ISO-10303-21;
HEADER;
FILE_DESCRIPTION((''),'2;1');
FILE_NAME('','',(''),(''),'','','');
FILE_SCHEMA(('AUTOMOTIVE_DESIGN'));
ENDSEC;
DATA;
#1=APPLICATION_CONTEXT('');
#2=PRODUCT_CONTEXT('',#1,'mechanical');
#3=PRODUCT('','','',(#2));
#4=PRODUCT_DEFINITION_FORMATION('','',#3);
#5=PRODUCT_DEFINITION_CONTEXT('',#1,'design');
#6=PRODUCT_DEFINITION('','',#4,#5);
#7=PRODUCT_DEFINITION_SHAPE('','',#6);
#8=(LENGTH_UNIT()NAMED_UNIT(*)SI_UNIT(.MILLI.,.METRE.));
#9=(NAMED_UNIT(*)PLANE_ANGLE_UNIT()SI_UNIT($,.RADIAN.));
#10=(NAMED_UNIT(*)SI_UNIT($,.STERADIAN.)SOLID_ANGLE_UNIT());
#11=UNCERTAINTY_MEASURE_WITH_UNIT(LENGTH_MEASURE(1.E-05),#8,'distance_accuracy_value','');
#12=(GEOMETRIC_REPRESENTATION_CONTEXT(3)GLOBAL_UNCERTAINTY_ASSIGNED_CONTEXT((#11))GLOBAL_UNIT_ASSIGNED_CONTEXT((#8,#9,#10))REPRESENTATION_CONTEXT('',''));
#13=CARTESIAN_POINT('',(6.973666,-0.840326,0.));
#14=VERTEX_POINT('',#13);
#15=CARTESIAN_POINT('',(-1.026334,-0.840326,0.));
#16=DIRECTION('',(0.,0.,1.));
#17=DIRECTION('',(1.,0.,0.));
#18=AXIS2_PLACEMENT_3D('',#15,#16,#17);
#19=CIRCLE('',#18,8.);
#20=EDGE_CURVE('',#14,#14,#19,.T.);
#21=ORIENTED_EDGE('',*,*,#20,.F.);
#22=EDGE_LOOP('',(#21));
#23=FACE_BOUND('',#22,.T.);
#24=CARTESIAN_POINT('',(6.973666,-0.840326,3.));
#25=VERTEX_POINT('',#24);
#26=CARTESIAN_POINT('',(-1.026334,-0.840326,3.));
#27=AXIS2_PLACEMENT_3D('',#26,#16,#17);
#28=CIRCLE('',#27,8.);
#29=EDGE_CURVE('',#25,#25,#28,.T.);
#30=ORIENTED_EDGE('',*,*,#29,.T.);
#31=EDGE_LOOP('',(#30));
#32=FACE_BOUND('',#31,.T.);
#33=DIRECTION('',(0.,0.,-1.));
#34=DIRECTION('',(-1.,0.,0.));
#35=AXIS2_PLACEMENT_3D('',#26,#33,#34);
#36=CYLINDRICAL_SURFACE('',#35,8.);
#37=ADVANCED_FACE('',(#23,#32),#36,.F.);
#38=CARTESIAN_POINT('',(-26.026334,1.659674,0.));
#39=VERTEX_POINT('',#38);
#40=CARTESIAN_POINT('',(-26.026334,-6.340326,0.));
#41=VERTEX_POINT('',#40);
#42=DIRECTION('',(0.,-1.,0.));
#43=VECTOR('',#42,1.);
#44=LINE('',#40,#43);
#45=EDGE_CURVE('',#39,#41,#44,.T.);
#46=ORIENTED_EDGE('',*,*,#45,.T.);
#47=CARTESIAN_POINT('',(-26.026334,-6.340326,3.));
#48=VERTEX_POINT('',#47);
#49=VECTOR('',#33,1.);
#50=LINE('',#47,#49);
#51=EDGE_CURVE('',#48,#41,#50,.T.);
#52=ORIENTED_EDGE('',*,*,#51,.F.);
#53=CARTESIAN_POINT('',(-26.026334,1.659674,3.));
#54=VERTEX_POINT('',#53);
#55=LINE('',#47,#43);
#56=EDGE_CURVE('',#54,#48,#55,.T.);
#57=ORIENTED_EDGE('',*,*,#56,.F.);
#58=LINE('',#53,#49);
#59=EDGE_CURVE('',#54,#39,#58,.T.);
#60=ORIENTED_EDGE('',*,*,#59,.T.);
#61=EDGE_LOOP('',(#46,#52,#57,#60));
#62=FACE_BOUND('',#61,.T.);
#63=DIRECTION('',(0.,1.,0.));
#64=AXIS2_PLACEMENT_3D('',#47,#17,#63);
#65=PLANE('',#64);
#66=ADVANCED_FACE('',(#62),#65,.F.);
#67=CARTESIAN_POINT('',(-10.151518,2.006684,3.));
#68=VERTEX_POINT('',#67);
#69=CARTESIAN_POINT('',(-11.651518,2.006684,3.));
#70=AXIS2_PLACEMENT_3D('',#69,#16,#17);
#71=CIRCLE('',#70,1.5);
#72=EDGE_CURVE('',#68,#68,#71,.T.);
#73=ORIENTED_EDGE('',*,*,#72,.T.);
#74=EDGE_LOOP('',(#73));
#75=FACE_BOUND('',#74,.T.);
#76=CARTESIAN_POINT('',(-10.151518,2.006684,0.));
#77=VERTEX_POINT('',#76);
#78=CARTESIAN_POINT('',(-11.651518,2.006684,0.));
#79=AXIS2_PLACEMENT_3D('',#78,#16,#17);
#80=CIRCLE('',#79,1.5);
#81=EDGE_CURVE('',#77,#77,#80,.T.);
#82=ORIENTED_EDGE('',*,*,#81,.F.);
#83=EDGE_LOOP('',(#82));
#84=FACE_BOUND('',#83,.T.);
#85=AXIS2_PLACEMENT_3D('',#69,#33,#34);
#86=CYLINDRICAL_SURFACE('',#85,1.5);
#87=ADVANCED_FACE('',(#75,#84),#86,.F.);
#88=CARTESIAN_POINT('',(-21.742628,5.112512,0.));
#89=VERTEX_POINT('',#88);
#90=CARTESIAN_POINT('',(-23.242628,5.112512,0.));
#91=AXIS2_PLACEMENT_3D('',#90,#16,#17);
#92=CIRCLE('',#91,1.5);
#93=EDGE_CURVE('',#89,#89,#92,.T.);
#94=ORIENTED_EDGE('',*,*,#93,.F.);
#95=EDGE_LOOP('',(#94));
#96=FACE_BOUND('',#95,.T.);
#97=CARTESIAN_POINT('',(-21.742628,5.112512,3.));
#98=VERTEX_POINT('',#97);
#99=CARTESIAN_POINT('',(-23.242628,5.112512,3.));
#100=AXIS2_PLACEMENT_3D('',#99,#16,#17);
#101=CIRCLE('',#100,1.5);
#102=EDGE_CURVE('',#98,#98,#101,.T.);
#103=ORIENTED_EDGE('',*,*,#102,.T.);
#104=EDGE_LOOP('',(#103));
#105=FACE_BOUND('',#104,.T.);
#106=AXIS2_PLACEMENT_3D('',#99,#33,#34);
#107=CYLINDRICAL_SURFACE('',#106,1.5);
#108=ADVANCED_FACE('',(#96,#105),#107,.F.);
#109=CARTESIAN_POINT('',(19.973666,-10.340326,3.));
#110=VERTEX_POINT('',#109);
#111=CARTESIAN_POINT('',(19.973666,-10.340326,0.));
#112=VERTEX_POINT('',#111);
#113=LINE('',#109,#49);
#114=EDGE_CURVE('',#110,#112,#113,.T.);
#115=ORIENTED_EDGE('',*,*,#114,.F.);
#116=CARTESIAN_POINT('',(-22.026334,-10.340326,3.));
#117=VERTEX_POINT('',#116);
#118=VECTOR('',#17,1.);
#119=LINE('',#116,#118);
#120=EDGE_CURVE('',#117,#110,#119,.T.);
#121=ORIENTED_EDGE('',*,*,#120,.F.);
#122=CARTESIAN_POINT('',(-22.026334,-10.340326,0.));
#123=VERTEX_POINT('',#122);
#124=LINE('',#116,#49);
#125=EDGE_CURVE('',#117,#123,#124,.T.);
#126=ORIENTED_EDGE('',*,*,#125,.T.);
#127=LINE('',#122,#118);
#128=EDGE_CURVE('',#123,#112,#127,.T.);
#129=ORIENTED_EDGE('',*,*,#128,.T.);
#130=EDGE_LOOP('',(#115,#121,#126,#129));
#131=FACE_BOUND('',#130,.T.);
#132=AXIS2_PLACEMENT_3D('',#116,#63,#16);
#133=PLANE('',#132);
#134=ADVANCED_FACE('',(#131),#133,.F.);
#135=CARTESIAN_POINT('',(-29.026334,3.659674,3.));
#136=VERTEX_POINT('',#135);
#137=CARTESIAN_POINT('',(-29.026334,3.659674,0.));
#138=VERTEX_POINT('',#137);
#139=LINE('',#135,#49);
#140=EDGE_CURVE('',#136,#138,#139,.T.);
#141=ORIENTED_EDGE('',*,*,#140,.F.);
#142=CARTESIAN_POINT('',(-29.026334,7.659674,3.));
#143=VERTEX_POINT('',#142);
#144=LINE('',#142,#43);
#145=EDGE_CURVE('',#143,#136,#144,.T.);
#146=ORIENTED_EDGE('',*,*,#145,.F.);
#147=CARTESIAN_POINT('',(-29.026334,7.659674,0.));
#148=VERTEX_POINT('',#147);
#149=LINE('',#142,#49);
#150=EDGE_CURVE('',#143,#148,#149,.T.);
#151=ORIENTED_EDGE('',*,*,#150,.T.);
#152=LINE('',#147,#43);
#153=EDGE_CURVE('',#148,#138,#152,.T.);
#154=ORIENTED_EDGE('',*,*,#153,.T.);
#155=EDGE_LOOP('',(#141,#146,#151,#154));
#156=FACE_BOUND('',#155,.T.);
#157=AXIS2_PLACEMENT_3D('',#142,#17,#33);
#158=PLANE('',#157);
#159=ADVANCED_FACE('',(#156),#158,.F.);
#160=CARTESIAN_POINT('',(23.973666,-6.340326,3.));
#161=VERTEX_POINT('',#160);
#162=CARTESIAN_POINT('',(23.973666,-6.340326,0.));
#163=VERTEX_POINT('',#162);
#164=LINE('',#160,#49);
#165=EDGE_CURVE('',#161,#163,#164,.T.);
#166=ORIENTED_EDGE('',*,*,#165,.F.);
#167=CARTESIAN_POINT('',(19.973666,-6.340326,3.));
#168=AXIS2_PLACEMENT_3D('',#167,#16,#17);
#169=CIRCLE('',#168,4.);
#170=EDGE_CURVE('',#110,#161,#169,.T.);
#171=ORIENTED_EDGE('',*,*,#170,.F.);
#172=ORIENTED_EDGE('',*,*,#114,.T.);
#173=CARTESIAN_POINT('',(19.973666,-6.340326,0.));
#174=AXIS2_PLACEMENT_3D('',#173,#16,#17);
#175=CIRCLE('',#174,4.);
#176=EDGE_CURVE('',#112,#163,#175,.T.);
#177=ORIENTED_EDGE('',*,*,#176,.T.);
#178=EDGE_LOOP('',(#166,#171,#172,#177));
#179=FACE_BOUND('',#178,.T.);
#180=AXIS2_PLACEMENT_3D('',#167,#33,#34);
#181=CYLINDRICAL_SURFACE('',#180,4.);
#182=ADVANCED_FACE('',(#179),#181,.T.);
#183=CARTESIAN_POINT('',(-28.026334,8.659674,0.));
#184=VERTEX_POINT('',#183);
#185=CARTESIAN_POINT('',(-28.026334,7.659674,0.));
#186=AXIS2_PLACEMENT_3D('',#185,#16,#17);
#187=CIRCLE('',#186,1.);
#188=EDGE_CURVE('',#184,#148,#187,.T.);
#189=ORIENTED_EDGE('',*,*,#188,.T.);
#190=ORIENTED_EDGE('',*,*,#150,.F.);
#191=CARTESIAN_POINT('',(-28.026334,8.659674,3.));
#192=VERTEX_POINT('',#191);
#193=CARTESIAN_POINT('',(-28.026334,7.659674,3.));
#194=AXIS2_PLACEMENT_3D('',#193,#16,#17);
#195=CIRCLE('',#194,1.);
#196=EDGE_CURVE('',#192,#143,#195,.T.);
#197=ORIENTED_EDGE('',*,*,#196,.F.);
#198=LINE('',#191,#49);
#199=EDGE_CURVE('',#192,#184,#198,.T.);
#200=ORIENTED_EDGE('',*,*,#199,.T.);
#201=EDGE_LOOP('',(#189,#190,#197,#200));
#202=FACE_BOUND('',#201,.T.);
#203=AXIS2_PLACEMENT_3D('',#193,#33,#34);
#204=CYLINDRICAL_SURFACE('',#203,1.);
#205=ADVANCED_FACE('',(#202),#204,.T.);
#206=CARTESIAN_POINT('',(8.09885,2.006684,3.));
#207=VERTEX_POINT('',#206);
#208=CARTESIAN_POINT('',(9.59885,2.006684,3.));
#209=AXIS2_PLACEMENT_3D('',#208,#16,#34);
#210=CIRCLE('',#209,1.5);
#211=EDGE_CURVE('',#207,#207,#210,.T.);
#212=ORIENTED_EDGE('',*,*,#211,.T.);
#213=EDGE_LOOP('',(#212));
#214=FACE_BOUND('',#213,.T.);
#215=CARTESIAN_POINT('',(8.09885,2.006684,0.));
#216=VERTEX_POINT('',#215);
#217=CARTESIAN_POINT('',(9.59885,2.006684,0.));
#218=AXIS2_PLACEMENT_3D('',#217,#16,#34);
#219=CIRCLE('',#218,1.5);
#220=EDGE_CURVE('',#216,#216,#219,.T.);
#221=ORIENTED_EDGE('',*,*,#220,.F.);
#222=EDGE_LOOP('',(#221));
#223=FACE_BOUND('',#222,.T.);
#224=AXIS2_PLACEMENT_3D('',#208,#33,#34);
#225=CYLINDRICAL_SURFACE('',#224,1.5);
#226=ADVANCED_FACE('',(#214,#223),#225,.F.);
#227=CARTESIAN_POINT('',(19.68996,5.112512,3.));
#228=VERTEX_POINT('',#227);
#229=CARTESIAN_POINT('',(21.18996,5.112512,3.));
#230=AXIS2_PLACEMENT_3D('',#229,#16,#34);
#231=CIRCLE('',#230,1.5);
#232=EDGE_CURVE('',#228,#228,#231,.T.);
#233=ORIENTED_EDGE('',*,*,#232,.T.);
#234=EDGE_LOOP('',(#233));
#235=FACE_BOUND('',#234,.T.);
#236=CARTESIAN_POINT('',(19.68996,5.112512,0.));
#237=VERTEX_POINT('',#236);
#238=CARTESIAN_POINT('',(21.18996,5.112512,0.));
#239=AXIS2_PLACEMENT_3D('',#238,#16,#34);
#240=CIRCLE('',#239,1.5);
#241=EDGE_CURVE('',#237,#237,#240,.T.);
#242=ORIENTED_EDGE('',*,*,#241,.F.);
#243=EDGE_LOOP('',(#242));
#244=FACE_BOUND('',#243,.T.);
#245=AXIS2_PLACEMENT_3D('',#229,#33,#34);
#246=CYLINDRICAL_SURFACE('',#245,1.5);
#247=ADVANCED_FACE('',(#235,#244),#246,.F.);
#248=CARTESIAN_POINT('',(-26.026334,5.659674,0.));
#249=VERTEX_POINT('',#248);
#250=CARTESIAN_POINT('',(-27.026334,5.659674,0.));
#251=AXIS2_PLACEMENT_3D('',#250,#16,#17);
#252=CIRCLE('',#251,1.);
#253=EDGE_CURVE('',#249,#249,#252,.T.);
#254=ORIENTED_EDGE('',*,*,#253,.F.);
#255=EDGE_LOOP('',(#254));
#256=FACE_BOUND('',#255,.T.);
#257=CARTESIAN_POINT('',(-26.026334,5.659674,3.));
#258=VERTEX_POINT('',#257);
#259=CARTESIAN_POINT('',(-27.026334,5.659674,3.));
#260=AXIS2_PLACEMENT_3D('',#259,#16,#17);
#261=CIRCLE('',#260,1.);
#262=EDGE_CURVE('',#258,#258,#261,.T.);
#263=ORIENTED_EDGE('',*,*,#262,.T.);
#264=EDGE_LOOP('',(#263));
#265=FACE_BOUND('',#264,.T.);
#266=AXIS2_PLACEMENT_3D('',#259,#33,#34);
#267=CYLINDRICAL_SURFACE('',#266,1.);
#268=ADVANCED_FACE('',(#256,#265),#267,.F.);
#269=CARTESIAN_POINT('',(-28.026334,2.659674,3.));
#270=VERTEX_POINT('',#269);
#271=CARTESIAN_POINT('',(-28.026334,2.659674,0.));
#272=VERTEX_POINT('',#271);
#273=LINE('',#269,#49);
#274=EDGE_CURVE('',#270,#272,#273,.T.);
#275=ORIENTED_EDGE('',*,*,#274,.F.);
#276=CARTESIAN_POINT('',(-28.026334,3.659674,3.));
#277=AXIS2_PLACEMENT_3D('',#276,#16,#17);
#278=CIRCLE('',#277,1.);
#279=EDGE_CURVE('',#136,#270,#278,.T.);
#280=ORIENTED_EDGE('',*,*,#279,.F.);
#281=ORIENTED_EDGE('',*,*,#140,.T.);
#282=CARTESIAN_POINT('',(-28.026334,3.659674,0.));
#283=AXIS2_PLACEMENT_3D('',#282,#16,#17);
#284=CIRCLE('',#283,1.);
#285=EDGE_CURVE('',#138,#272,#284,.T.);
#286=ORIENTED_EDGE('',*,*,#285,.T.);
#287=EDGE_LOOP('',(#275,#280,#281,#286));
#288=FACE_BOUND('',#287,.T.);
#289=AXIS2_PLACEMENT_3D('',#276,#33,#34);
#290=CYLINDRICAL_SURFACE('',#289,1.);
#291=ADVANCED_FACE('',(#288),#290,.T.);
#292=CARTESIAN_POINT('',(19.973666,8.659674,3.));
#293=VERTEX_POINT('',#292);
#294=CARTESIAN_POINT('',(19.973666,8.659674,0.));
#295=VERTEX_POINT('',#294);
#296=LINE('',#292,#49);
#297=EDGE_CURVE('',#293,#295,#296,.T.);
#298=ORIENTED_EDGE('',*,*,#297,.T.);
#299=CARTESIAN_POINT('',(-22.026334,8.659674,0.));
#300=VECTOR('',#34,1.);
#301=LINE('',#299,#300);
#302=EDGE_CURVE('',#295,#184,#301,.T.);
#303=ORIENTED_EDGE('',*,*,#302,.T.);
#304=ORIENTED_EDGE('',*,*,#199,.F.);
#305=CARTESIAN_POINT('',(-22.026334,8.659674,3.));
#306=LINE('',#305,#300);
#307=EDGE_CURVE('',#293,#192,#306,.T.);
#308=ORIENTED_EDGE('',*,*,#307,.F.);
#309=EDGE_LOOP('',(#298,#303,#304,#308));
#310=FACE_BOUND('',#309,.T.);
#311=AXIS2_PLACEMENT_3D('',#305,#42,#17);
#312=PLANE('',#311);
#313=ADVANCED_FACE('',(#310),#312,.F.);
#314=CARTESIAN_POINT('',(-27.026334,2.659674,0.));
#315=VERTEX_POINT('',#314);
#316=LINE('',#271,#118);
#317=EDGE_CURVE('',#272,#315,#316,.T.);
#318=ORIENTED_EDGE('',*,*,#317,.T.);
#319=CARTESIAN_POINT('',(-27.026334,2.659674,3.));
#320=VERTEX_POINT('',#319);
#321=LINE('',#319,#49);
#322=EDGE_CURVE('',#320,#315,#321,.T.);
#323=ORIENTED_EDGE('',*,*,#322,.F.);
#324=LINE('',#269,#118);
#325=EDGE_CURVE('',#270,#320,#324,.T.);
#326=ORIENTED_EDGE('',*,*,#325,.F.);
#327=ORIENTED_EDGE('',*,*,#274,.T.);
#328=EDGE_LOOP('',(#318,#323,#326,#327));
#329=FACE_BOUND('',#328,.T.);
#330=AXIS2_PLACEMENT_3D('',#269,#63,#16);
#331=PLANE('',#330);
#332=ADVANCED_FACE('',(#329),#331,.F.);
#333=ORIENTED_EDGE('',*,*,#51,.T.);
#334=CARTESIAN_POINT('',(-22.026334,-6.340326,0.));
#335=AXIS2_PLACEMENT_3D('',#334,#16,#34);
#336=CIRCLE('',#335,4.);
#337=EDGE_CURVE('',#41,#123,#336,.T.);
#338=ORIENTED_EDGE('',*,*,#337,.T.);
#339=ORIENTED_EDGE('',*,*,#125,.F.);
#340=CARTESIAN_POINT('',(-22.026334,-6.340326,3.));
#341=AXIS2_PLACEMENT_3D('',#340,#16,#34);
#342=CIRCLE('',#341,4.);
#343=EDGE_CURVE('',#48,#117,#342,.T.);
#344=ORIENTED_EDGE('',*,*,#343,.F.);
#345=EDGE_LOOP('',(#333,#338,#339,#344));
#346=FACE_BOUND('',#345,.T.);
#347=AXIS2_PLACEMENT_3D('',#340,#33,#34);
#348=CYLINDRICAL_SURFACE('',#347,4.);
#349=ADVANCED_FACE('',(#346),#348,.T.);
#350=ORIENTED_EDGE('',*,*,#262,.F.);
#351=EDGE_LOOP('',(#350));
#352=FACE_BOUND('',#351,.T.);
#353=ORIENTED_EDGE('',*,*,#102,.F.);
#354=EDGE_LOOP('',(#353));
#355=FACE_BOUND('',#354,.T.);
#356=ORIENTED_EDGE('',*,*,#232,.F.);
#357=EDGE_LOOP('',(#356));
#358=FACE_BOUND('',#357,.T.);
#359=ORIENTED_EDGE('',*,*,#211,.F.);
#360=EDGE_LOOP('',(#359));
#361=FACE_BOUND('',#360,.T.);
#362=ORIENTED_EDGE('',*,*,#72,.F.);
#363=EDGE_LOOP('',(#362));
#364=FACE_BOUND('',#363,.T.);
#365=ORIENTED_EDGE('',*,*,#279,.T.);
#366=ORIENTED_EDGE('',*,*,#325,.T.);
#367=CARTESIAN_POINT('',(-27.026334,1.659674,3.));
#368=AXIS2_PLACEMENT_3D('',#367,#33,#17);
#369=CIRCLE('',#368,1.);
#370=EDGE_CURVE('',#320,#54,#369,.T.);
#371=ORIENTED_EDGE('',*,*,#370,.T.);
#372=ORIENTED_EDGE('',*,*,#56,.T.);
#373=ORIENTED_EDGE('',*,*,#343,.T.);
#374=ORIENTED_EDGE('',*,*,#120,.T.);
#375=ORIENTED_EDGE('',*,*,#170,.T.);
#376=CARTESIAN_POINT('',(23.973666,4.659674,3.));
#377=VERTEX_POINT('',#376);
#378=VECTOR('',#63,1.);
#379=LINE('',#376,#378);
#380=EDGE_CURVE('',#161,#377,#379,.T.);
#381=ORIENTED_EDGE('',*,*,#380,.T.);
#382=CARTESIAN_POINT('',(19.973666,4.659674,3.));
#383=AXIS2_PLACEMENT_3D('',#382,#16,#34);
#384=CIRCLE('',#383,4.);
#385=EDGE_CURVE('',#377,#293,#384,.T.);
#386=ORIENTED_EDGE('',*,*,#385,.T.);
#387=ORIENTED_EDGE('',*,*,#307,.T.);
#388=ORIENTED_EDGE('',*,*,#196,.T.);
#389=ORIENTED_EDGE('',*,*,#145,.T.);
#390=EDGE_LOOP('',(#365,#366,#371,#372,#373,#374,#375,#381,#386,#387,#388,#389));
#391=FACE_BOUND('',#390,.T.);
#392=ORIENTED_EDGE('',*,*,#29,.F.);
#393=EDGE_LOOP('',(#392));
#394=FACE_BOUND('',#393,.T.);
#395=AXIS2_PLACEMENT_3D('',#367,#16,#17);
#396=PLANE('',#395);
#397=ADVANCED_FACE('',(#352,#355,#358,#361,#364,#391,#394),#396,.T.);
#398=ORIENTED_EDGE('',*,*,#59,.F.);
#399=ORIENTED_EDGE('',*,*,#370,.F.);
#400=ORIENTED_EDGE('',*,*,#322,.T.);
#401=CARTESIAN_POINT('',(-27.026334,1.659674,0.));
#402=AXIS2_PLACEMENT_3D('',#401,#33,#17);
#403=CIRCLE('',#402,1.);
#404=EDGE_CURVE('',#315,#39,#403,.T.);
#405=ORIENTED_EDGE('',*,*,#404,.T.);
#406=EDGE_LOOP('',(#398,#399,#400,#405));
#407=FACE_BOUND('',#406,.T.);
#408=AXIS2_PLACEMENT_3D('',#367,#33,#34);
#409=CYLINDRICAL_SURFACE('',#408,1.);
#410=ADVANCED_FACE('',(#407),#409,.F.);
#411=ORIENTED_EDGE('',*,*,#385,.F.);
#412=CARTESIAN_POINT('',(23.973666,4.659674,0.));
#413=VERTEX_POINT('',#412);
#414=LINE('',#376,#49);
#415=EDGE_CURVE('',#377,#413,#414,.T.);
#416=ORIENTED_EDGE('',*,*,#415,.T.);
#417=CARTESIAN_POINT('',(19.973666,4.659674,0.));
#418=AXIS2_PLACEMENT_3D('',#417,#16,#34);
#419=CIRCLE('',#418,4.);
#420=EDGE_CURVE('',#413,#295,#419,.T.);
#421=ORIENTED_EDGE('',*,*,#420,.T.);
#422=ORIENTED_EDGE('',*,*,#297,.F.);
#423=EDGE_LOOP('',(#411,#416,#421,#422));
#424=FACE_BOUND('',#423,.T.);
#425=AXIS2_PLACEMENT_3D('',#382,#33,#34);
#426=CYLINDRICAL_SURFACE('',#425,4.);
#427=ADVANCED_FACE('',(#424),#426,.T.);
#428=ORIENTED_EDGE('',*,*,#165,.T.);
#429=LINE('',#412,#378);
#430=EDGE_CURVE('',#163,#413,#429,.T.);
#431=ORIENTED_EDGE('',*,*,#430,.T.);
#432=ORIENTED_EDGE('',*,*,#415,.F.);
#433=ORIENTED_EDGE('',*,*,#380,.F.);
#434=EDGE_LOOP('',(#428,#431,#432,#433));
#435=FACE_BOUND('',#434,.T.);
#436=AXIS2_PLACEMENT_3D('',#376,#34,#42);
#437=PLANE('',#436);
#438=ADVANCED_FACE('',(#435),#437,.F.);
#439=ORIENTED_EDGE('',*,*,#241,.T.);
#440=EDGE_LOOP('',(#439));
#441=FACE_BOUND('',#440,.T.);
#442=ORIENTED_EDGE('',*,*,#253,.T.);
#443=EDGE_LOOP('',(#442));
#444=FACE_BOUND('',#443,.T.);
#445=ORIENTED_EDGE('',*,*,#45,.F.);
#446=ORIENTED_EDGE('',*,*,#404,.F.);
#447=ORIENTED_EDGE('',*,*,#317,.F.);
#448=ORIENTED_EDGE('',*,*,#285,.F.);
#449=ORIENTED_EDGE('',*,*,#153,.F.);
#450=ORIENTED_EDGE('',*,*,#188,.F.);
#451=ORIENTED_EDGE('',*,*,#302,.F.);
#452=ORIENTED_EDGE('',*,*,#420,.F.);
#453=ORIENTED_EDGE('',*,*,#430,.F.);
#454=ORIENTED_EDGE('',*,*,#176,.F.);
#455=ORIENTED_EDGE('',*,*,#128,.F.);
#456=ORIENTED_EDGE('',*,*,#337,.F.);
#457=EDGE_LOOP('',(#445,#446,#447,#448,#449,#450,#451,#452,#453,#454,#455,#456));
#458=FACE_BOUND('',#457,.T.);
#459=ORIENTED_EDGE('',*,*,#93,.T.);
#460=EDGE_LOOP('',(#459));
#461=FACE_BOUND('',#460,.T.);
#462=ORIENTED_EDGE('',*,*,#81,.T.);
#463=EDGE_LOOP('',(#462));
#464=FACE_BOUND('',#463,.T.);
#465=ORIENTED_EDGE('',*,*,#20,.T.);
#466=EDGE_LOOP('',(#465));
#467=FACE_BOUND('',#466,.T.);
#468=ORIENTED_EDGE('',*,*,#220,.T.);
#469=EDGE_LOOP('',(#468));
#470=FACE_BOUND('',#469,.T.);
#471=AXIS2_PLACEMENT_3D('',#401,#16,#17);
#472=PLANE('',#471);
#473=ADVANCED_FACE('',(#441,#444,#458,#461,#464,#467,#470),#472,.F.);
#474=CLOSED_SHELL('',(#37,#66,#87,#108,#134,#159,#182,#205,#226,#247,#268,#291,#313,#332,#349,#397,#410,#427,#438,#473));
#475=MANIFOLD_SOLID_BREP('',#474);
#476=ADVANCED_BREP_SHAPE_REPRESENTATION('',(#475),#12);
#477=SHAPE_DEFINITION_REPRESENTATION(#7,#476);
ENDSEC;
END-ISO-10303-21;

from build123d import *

# Parameters (mm, degrees)
SKETCH_1_R      = 8
SKETCH_1_R_2    = 1.5
SKETCH_1_R_3    = 1
EXTRUDE_1_DEPTH = 3


with BuildPart() as part:
    # Эскиз1 → Бобышка-Вытянуть1 (new body)
    with BuildSketch(Plane.XY):
        with BuildLine():
            Line((-22.026334366, -10.340325606), (19.973665634, -10.340325606))
            ThreePointArc((19.973665634, -10.340325606), (22.802092759, -9.168752731), (23.973665634, -6.340325606))
            Line((23.973665634, -6.340325606), (23.973665634, 4.659674394))
            ThreePointArc((23.973665634, 4.659674394), (22.802092759, 7.488101519), (19.973665634, 8.659674394))
            Line((19.973665634, 8.659674394), (-22.026334366, 8.659674394))
            Line((-22.026334366, 8.659674394), (-28.026334366, 8.659674394))
            ThreePointArc((-28.026334366, 8.659674394), (-28.733441147, 8.366781175), (-29.026334366, 7.659674394))
            Line((-29.026334366, 7.659674394), (-29.026334366, 3.659674394))
            ThreePointArc((-29.026334366, 3.659674394), (-28.733441147, 2.952567613), (-28.026334366, 2.659674394))
            Line((-28.026334366, 2.659674394), (-27.026334366, 2.659674394))
            ThreePointArc((-27.026334366, 2.659674394), (-26.319227584, 2.366781175), (-26.026334366, 1.659674394))
            Line((-26.026334366, 1.659674394), (-26.026334366, -6.340325606))
            ThreePointArc((-26.026334366, -6.340325606), (-24.85476149, -9.168752731), (-22.026334366, -10.340325606))
        make_face()
        with Locations((-1.026334366, -0.840325606)):
            Circle(SKETCH_1_R, mode=Mode.SUBTRACT)
        with Locations((-23.24262837, 5.112512431)):
            Circle(SKETCH_1_R_2, mode=Mode.SUBTRACT)
        with Locations((-11.651518455, 2.00668389)):
            Circle(SKETCH_1_R_2, mode=Mode.SUBTRACT)
        with Locations(Location((9.598849724, 2.00668389, 0), (0, 0, 180))):
            Circle(SKETCH_1_R_2, mode=Mode.SUBTRACT)
        with Locations(Location((21.189959639, 5.112512431, 0), (0, 0, 180))):
            Circle(SKETCH_1_R_2, mode=Mode.SUBTRACT)
        with Locations((-27.026334366, 5.659674394)):
            Circle(SKETCH_1_R_3, mode=Mode.SUBTRACT)
    extrude(amount=EXTRUDE_1_DEPTH)


solid = part.part
